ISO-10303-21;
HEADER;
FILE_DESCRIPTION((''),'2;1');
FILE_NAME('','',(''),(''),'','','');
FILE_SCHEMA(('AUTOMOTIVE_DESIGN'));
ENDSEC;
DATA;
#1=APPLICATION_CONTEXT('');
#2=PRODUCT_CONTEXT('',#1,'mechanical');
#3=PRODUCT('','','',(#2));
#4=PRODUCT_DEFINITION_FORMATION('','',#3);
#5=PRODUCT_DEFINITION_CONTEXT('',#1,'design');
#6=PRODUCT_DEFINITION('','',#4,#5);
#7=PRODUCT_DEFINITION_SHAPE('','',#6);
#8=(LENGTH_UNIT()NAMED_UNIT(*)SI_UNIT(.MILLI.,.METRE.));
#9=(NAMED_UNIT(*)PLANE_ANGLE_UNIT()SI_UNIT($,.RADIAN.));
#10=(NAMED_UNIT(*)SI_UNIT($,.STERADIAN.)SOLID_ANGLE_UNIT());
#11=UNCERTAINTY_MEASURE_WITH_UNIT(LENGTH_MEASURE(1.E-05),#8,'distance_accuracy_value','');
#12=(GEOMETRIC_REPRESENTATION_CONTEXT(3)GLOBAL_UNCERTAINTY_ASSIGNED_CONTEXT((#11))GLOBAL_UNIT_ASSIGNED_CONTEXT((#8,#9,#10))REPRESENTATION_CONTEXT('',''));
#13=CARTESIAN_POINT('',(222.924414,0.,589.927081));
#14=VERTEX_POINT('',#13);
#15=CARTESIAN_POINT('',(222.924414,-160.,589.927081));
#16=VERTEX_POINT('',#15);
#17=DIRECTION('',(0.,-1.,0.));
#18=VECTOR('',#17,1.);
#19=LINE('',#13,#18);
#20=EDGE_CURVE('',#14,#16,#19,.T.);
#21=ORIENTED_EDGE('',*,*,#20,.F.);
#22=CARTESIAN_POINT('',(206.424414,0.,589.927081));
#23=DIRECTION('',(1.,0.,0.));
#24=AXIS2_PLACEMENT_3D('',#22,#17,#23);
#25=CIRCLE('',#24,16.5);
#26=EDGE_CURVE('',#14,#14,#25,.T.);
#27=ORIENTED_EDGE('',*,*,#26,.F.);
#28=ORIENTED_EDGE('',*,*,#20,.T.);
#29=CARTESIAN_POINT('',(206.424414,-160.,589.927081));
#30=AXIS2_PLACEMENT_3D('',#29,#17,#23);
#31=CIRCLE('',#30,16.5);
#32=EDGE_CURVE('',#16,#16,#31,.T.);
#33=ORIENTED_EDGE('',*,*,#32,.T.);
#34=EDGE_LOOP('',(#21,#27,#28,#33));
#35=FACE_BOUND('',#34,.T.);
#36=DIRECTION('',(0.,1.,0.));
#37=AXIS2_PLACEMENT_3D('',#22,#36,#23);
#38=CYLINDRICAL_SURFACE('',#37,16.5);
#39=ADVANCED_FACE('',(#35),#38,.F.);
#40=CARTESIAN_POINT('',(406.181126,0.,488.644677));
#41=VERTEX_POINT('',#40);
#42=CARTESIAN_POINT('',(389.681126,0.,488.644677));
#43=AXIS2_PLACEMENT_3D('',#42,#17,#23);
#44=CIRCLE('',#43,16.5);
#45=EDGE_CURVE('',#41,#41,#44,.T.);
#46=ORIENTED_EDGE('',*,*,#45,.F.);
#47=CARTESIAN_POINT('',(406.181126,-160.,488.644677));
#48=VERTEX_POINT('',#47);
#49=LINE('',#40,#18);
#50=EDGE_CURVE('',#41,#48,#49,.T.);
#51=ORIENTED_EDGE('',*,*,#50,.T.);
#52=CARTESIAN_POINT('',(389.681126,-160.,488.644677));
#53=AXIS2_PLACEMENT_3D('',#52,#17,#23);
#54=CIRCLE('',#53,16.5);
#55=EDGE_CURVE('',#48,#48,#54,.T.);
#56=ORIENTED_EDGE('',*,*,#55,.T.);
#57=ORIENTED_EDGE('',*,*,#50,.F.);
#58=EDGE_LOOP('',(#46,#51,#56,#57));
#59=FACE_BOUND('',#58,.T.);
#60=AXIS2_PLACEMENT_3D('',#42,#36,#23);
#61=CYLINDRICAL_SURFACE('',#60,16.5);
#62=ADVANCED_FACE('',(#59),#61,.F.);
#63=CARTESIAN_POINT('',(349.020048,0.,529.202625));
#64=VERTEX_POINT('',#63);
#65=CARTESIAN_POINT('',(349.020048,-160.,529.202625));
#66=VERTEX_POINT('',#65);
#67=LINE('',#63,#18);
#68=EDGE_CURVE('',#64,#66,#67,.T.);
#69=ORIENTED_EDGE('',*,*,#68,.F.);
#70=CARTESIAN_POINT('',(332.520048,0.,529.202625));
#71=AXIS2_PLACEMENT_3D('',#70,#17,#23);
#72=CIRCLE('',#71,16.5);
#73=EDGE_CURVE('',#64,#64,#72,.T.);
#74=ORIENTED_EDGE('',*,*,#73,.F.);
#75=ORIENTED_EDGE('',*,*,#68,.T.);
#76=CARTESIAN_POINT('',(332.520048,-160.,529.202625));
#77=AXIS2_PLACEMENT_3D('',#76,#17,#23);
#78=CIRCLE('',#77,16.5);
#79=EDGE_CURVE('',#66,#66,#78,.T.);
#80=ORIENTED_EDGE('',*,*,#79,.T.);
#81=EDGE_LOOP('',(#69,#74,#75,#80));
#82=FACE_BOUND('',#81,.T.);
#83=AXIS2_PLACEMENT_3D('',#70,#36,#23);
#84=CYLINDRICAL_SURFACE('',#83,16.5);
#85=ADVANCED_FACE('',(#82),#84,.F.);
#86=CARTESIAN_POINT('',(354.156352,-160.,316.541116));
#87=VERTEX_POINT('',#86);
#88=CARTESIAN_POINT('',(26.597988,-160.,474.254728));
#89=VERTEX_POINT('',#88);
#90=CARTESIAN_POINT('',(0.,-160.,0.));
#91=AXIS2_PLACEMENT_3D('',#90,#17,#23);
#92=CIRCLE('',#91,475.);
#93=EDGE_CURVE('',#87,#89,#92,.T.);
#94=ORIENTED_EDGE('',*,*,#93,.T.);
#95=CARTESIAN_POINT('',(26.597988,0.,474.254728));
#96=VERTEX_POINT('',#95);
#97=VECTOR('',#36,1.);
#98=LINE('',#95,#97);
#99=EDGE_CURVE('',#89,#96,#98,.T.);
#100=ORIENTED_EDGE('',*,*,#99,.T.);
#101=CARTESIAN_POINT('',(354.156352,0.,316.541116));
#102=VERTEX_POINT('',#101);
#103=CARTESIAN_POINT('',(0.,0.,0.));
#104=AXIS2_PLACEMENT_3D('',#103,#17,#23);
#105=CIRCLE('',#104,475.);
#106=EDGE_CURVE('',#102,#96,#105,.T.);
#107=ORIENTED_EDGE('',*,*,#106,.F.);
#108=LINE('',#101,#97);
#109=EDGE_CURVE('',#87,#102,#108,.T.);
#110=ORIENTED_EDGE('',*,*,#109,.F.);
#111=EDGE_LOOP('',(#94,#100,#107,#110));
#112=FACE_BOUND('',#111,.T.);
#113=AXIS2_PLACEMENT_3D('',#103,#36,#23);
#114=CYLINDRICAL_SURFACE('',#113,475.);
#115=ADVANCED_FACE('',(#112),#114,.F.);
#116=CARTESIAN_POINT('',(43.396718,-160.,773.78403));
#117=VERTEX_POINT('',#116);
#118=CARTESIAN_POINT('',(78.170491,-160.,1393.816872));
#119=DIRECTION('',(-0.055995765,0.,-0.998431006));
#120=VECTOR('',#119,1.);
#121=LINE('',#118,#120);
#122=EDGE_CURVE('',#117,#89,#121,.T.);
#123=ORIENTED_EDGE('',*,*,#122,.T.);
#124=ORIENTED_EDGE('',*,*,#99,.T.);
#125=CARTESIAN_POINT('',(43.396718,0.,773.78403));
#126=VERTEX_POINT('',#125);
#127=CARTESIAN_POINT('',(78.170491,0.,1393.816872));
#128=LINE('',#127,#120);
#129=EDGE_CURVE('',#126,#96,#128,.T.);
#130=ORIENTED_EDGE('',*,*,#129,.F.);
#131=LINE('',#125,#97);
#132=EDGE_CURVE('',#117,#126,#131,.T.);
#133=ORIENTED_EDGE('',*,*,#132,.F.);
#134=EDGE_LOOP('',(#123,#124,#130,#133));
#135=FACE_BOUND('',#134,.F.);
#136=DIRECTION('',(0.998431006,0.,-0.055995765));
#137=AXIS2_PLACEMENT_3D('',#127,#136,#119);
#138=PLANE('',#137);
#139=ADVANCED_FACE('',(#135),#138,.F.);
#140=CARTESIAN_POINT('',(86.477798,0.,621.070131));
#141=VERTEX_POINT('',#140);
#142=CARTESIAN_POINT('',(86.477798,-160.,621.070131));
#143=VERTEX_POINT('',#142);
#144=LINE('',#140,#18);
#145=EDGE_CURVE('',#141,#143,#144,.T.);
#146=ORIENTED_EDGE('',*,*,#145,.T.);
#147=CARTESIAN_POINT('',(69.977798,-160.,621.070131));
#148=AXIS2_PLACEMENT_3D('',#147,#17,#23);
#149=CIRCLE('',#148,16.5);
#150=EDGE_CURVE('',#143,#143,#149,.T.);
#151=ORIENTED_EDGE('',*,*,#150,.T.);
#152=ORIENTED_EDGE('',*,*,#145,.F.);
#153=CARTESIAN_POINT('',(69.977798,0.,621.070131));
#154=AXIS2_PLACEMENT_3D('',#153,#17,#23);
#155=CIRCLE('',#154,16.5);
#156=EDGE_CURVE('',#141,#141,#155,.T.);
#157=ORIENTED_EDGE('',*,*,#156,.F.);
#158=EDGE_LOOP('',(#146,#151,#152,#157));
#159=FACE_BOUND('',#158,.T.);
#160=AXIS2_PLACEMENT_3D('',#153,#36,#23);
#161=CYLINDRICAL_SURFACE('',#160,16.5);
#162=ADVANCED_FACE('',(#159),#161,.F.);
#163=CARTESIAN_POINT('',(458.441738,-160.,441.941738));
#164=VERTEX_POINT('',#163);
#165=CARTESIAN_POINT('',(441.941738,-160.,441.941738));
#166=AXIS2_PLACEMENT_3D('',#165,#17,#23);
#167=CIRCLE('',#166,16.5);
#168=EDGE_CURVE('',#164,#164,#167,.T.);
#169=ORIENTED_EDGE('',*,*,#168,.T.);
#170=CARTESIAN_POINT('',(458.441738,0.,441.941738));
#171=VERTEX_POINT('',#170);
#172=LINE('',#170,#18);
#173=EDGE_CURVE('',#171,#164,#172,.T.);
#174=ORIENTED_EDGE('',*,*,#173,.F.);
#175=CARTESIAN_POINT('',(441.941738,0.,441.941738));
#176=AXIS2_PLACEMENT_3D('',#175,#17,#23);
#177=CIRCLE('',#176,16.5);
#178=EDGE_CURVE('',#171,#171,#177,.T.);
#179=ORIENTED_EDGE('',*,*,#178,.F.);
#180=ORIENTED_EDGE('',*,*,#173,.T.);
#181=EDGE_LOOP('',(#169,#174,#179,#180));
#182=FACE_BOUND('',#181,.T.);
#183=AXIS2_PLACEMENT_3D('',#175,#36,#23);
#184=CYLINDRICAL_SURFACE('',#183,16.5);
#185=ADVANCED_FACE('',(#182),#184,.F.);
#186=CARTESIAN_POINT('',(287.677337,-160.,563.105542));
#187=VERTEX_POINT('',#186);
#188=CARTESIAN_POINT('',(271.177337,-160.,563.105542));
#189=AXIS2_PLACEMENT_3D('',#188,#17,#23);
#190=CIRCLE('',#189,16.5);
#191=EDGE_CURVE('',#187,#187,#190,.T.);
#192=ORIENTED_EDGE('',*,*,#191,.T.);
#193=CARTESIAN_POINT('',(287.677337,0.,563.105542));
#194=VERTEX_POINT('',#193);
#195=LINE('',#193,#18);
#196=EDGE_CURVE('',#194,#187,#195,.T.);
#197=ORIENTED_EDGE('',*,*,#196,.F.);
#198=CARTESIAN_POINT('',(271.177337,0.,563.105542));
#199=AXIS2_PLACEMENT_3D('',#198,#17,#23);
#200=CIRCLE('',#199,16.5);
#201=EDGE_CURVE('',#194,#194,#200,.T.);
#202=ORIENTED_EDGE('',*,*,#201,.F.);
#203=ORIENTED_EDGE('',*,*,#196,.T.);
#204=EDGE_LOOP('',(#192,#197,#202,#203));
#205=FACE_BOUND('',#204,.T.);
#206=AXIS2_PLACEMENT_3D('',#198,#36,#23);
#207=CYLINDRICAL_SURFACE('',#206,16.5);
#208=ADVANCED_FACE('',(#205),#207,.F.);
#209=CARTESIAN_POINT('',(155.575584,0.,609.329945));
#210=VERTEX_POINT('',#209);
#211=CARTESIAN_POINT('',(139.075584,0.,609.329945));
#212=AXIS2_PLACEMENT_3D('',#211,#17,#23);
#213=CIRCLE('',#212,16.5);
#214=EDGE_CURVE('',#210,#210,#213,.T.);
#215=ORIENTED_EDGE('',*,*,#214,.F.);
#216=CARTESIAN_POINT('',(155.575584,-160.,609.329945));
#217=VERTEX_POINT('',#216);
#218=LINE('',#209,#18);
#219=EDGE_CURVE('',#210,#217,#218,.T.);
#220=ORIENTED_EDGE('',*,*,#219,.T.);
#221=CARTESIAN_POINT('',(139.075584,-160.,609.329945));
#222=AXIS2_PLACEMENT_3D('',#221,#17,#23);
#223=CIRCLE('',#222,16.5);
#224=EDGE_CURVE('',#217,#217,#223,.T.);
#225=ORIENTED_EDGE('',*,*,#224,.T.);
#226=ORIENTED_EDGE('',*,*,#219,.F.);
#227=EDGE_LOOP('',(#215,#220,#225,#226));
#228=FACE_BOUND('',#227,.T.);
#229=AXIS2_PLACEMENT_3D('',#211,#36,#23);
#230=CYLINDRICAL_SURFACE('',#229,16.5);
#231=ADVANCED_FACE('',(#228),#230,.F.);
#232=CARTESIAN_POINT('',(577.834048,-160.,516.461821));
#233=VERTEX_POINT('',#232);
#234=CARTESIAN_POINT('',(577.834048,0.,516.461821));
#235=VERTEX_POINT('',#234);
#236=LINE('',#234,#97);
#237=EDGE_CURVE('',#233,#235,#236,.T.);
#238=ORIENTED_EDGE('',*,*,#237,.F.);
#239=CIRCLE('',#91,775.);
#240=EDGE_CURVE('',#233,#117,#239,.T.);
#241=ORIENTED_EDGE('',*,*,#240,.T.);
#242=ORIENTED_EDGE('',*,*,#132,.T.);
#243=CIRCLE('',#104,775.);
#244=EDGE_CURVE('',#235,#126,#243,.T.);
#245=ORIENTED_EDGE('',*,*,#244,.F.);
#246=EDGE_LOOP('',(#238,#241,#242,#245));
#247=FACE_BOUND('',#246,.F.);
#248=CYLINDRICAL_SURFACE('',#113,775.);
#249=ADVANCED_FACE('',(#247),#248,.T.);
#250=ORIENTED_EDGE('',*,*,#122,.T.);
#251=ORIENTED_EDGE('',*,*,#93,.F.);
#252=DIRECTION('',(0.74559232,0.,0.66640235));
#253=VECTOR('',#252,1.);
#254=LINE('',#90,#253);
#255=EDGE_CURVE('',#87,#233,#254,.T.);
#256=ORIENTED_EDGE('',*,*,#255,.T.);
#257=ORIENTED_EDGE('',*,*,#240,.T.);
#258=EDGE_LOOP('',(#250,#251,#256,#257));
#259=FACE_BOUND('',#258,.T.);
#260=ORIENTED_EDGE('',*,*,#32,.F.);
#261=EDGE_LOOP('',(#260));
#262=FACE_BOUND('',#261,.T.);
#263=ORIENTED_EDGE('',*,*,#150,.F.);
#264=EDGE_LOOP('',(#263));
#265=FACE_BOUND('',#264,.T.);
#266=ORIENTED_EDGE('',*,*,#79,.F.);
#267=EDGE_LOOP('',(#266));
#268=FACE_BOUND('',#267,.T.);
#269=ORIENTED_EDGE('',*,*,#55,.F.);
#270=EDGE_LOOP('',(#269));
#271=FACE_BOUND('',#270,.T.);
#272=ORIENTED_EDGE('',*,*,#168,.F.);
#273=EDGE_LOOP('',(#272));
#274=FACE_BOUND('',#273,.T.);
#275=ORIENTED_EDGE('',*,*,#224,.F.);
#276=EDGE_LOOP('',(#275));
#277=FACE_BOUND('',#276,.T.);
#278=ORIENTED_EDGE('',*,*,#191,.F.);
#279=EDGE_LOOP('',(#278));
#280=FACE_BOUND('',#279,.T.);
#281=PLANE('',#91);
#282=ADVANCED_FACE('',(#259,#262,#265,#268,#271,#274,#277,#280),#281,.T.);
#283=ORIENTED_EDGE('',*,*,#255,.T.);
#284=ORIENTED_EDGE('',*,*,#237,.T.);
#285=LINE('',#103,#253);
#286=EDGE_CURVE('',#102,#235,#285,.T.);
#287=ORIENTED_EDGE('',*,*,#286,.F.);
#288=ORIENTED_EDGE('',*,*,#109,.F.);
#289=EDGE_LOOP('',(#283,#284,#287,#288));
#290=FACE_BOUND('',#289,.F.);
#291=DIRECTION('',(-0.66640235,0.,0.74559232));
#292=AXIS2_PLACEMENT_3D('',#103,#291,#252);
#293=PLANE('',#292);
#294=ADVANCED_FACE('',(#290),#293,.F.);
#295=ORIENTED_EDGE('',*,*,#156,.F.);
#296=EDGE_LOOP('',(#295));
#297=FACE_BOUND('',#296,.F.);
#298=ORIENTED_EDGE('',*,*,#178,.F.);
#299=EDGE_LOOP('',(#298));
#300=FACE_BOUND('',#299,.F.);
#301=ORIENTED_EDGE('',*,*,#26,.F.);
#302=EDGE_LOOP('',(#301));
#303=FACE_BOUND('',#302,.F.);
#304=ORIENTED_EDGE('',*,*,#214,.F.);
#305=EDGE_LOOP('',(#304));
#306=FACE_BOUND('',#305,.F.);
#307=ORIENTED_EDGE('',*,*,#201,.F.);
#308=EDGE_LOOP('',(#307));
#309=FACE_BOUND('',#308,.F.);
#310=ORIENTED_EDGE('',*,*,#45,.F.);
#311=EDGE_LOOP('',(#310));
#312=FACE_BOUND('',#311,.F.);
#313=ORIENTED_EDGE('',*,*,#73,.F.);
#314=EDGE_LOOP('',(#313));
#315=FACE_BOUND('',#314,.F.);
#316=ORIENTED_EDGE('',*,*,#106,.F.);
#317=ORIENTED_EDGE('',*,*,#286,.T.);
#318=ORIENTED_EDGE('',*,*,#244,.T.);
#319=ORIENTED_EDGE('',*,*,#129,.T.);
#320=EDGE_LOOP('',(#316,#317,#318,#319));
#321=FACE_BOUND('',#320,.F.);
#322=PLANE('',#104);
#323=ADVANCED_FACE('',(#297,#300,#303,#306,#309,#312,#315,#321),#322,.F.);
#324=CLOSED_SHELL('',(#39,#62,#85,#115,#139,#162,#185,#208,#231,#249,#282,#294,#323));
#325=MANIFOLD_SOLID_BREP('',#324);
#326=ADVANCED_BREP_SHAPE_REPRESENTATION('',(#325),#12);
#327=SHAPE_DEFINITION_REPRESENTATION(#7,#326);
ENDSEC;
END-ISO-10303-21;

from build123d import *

# Parameters (mm, degrees)
F0_R     = 775
F0_R_2   = 16.5
F0_R_3   = 475
F1_DEPTH = 160
F3_DEPTH = 160


with BuildPart() as f1:
    # F0 (on Front) → F1 (new body)
    with BuildSketch(Plane.XZ):
        Circle(F0_R)
        with Locations((-389.681126, -488.644677)):
            Circle(F0_R_2, mode=Mode.SUBTRACT)
        with Locations((-488.644677, -389.681126)):
            Circle(F0_R_2, mode=Mode.SUBTRACT)
        with Locations((-441.941738, -441.941738)):
            Circle(F0_R_2, mode=Mode.SUBTRACT)
        with Locations((-206.424414, -589.927081)):
            Circle(F0_R_2, mode=Mode.SUBTRACT)
        with Locations((-139.075584, -609.329945)):
            Circle(F0_R_2, mode=Mode.SUBTRACT)
        with Locations((-69.977798, -621.070131)):
            Circle(F0_R_2, mode=Mode.SUBTRACT)
        with Locations((-332.520048, -529.202625)):
            Circle(F0_R_2, mode=Mode.SUBTRACT)
        with Locations((-271.177337, -563.105542)):
            Circle(F0_R_2, mode=Mode.SUBTRACT)
        with Locations((-589.927081, -206.424414)):
            Circle(F0_R_2, mode=Mode.SUBTRACT)
        with Locations((-529.202625, -332.520048)):
            Circle(F0_R_2, mode=Mode.SUBTRACT)
        with Locations((-563.105542, -271.177337)):
            Circle(F0_R_2, mode=Mode.SUBTRACT)
        with Locations((-609.329945, -139.075584)):
            Circle(F0_R_2, mode=Mode.SUBTRACT)
        with Locations((-621.070131, -69.977798)):
            Circle(F0_R_2, mode=Mode.SUBTRACT)
        with Locations((0, -625)):
            Circle(F0_R_2, mode=Mode.SUBTRACT)
        with Locations((69.977798, -621.070131)):
            Circle(F0_R_2, mode=Mode.SUBTRACT)
        with Locations((139.075584, -609.329945)):
            Circle(F0_R_2, mode=Mode.SUBTRACT)
        with Locations((206.424414, -589.927081)):
            Circle(F0_R_2, mode=Mode.SUBTRACT)
        with Locations((271.177337, -563.105542)):
            Circle(F0_R_2, mode=Mode.SUBTRACT)
        with Locations((332.520048, -529.202625)):
            Circle(F0_R_2, mode=Mode.SUBTRACT)
        with Locations((389.681126, -488.644677)):
            Circle(F0_R_2, mode=Mode.SUBTRACT)
        with Locations((441.941738, -441.941738)):
            Circle(F0_R_2, mode=Mode.SUBTRACT)
        with Locations((488.644677, -389.681126)):
            Circle(F0_R_2, mode=Mode.SUBTRACT)
        with Locations((529.202625, -332.520048)):
            Circle(F0_R_2, mode=Mode.SUBTRACT)
        with Locations((563.105542, -271.177337)):
            Circle(F0_R_2, mode=Mode.SUBTRACT)
        with Locations((589.927081, -206.424414)):
            Circle(F0_R_2, mode=Mode.SUBTRACT)
        with Locations((609.329945, -139.075584)):
            Circle(F0_R_2, mode=Mode.SUBTRACT)
        with Locations((621.070131, -69.977798)):
            Circle(F0_R_2, mode=Mode.SUBTRACT)
        with Locations((-625, 0)):
            Circle(F0_R_2, mode=Mode.SUBTRACT)
        with Locations((-621.070131, 69.977798)):
            Circle(F0_R_2, mode=Mode.SUBTRACT)
        with Locations((-609.329945, 139.075584)):
            Circle(F0_R_2, mode=Mode.SUBTRACT)
        with Locations((-589.927081, 206.424414)):
            Circle(F0_R_2, mode=Mode.SUBTRACT)
        with Locations((-563.105542, 271.177337)):
            Circle(F0_R_2, mode=Mode.SUBTRACT)
        with Locations((-529.202625, 332.520048)):
            Circle(F0_R_2, mode=Mode.SUBTRACT)
        with Locations((-488.644677, 389.681126)):
            Circle(F0_R_2, mode=Mode.SUBTRACT)
        with Locations((-441.941738, 441.941738)):
            Circle(F0_R_2, mode=Mode.SUBTRACT)
        with Locations((-389.681126, 488.644677)):
            Circle(F0_R_2, mode=Mode.SUBTRACT)
        with Locations((-332.520048, 529.202625)):
            Circle(F0_R_2, mode=Mode.SUBTRACT)
        with Locations((-271.177337, 563.105542)):
            Circle(F0_R_2, mode=Mode.SUBTRACT)
        with Locations((-206.424414, 589.927081)):
            Circle(F0_R_2, mode=Mode.SUBTRACT)
        with Locations((-139.075584, 609.329945)):
            Circle(F0_R_2, mode=Mode.SUBTRACT)
        with Locations((-69.977798, 621.070131)):
            Circle(F0_R_2, mode=Mode.SUBTRACT)
        Circle(F0_R_3, mode=Mode.SUBTRACT)
        with Locations((625, 0)):
            Circle(F0_R_2, mode=Mode.SUBTRACT)
        with Locations((621.070131, 69.977798)):
            Circle(F0_R_2, mode=Mode.SUBTRACT)
        with Locations((609.329945, 139.075584)):
            Circle(F0_R_2, mode=Mode.SUBTRACT)
        with Locations((563.105542, 271.177337)):
            Circle(F0_R_2, mode=Mode.SUBTRACT)
        with Locations((529.202625, 332.520048)):
            Circle(F0_R_2, mode=Mode.SUBTRACT)
        with Locations((589.927081, 206.424414)):
            Circle(F0_R_2, mode=Mode.SUBTRACT)
        with Locations((271.177337, 563.105542)):
            Circle(F0_R_2, mode=Mode.SUBTRACT)
        with Locations((332.520048, 529.202625)):
            Circle(F0_R_2, mode=Mode.SUBTRACT)
        with Locations((0, 625)):
            Circle(F0_R_2, mode=Mode.SUBTRACT)
        with Locations((69.977798, 621.070131)):
            Circle(F0_R_2, mode=Mode.SUBTRACT)
        with Locations((139.075584, 609.329945)):
            Circle(F0_R_2, mode=Mode.SUBTRACT)
        with Locations((206.424414, 589.927081)):
            Circle(F0_R_2, mode=Mode.SUBTRACT)
        with Locations((441.941738, 441.941738)):
            Circle(F0_R_2, mode=Mode.SUBTRACT)
        with Locations((488.644677, 389.681126)):
            Circle(F0_R_2, mode=Mode.SUBTRACT)
        with Locations((389.681126, 488.644677)):
            Circle(F0_R_2, mode=Mode.SUBTRACT)
    extrude(amount=F1_DEPTH)


with BuildPart() as f3:
    # F2 (on Front) → F3 (new body)
    with BuildSketch(Plane.XZ):
        Polygon((78.170491, 1393.816872), (0, 0), (1136.468839, 1015.763554), align=None)
    extrude(amount=F3_DEPTH)


with BuildPart() as f1_1:
    add(f1.part)

    # F4: intersect F3
    add(f3.part, mode=Mode.INTERSECT)


solid = f1_1.part
